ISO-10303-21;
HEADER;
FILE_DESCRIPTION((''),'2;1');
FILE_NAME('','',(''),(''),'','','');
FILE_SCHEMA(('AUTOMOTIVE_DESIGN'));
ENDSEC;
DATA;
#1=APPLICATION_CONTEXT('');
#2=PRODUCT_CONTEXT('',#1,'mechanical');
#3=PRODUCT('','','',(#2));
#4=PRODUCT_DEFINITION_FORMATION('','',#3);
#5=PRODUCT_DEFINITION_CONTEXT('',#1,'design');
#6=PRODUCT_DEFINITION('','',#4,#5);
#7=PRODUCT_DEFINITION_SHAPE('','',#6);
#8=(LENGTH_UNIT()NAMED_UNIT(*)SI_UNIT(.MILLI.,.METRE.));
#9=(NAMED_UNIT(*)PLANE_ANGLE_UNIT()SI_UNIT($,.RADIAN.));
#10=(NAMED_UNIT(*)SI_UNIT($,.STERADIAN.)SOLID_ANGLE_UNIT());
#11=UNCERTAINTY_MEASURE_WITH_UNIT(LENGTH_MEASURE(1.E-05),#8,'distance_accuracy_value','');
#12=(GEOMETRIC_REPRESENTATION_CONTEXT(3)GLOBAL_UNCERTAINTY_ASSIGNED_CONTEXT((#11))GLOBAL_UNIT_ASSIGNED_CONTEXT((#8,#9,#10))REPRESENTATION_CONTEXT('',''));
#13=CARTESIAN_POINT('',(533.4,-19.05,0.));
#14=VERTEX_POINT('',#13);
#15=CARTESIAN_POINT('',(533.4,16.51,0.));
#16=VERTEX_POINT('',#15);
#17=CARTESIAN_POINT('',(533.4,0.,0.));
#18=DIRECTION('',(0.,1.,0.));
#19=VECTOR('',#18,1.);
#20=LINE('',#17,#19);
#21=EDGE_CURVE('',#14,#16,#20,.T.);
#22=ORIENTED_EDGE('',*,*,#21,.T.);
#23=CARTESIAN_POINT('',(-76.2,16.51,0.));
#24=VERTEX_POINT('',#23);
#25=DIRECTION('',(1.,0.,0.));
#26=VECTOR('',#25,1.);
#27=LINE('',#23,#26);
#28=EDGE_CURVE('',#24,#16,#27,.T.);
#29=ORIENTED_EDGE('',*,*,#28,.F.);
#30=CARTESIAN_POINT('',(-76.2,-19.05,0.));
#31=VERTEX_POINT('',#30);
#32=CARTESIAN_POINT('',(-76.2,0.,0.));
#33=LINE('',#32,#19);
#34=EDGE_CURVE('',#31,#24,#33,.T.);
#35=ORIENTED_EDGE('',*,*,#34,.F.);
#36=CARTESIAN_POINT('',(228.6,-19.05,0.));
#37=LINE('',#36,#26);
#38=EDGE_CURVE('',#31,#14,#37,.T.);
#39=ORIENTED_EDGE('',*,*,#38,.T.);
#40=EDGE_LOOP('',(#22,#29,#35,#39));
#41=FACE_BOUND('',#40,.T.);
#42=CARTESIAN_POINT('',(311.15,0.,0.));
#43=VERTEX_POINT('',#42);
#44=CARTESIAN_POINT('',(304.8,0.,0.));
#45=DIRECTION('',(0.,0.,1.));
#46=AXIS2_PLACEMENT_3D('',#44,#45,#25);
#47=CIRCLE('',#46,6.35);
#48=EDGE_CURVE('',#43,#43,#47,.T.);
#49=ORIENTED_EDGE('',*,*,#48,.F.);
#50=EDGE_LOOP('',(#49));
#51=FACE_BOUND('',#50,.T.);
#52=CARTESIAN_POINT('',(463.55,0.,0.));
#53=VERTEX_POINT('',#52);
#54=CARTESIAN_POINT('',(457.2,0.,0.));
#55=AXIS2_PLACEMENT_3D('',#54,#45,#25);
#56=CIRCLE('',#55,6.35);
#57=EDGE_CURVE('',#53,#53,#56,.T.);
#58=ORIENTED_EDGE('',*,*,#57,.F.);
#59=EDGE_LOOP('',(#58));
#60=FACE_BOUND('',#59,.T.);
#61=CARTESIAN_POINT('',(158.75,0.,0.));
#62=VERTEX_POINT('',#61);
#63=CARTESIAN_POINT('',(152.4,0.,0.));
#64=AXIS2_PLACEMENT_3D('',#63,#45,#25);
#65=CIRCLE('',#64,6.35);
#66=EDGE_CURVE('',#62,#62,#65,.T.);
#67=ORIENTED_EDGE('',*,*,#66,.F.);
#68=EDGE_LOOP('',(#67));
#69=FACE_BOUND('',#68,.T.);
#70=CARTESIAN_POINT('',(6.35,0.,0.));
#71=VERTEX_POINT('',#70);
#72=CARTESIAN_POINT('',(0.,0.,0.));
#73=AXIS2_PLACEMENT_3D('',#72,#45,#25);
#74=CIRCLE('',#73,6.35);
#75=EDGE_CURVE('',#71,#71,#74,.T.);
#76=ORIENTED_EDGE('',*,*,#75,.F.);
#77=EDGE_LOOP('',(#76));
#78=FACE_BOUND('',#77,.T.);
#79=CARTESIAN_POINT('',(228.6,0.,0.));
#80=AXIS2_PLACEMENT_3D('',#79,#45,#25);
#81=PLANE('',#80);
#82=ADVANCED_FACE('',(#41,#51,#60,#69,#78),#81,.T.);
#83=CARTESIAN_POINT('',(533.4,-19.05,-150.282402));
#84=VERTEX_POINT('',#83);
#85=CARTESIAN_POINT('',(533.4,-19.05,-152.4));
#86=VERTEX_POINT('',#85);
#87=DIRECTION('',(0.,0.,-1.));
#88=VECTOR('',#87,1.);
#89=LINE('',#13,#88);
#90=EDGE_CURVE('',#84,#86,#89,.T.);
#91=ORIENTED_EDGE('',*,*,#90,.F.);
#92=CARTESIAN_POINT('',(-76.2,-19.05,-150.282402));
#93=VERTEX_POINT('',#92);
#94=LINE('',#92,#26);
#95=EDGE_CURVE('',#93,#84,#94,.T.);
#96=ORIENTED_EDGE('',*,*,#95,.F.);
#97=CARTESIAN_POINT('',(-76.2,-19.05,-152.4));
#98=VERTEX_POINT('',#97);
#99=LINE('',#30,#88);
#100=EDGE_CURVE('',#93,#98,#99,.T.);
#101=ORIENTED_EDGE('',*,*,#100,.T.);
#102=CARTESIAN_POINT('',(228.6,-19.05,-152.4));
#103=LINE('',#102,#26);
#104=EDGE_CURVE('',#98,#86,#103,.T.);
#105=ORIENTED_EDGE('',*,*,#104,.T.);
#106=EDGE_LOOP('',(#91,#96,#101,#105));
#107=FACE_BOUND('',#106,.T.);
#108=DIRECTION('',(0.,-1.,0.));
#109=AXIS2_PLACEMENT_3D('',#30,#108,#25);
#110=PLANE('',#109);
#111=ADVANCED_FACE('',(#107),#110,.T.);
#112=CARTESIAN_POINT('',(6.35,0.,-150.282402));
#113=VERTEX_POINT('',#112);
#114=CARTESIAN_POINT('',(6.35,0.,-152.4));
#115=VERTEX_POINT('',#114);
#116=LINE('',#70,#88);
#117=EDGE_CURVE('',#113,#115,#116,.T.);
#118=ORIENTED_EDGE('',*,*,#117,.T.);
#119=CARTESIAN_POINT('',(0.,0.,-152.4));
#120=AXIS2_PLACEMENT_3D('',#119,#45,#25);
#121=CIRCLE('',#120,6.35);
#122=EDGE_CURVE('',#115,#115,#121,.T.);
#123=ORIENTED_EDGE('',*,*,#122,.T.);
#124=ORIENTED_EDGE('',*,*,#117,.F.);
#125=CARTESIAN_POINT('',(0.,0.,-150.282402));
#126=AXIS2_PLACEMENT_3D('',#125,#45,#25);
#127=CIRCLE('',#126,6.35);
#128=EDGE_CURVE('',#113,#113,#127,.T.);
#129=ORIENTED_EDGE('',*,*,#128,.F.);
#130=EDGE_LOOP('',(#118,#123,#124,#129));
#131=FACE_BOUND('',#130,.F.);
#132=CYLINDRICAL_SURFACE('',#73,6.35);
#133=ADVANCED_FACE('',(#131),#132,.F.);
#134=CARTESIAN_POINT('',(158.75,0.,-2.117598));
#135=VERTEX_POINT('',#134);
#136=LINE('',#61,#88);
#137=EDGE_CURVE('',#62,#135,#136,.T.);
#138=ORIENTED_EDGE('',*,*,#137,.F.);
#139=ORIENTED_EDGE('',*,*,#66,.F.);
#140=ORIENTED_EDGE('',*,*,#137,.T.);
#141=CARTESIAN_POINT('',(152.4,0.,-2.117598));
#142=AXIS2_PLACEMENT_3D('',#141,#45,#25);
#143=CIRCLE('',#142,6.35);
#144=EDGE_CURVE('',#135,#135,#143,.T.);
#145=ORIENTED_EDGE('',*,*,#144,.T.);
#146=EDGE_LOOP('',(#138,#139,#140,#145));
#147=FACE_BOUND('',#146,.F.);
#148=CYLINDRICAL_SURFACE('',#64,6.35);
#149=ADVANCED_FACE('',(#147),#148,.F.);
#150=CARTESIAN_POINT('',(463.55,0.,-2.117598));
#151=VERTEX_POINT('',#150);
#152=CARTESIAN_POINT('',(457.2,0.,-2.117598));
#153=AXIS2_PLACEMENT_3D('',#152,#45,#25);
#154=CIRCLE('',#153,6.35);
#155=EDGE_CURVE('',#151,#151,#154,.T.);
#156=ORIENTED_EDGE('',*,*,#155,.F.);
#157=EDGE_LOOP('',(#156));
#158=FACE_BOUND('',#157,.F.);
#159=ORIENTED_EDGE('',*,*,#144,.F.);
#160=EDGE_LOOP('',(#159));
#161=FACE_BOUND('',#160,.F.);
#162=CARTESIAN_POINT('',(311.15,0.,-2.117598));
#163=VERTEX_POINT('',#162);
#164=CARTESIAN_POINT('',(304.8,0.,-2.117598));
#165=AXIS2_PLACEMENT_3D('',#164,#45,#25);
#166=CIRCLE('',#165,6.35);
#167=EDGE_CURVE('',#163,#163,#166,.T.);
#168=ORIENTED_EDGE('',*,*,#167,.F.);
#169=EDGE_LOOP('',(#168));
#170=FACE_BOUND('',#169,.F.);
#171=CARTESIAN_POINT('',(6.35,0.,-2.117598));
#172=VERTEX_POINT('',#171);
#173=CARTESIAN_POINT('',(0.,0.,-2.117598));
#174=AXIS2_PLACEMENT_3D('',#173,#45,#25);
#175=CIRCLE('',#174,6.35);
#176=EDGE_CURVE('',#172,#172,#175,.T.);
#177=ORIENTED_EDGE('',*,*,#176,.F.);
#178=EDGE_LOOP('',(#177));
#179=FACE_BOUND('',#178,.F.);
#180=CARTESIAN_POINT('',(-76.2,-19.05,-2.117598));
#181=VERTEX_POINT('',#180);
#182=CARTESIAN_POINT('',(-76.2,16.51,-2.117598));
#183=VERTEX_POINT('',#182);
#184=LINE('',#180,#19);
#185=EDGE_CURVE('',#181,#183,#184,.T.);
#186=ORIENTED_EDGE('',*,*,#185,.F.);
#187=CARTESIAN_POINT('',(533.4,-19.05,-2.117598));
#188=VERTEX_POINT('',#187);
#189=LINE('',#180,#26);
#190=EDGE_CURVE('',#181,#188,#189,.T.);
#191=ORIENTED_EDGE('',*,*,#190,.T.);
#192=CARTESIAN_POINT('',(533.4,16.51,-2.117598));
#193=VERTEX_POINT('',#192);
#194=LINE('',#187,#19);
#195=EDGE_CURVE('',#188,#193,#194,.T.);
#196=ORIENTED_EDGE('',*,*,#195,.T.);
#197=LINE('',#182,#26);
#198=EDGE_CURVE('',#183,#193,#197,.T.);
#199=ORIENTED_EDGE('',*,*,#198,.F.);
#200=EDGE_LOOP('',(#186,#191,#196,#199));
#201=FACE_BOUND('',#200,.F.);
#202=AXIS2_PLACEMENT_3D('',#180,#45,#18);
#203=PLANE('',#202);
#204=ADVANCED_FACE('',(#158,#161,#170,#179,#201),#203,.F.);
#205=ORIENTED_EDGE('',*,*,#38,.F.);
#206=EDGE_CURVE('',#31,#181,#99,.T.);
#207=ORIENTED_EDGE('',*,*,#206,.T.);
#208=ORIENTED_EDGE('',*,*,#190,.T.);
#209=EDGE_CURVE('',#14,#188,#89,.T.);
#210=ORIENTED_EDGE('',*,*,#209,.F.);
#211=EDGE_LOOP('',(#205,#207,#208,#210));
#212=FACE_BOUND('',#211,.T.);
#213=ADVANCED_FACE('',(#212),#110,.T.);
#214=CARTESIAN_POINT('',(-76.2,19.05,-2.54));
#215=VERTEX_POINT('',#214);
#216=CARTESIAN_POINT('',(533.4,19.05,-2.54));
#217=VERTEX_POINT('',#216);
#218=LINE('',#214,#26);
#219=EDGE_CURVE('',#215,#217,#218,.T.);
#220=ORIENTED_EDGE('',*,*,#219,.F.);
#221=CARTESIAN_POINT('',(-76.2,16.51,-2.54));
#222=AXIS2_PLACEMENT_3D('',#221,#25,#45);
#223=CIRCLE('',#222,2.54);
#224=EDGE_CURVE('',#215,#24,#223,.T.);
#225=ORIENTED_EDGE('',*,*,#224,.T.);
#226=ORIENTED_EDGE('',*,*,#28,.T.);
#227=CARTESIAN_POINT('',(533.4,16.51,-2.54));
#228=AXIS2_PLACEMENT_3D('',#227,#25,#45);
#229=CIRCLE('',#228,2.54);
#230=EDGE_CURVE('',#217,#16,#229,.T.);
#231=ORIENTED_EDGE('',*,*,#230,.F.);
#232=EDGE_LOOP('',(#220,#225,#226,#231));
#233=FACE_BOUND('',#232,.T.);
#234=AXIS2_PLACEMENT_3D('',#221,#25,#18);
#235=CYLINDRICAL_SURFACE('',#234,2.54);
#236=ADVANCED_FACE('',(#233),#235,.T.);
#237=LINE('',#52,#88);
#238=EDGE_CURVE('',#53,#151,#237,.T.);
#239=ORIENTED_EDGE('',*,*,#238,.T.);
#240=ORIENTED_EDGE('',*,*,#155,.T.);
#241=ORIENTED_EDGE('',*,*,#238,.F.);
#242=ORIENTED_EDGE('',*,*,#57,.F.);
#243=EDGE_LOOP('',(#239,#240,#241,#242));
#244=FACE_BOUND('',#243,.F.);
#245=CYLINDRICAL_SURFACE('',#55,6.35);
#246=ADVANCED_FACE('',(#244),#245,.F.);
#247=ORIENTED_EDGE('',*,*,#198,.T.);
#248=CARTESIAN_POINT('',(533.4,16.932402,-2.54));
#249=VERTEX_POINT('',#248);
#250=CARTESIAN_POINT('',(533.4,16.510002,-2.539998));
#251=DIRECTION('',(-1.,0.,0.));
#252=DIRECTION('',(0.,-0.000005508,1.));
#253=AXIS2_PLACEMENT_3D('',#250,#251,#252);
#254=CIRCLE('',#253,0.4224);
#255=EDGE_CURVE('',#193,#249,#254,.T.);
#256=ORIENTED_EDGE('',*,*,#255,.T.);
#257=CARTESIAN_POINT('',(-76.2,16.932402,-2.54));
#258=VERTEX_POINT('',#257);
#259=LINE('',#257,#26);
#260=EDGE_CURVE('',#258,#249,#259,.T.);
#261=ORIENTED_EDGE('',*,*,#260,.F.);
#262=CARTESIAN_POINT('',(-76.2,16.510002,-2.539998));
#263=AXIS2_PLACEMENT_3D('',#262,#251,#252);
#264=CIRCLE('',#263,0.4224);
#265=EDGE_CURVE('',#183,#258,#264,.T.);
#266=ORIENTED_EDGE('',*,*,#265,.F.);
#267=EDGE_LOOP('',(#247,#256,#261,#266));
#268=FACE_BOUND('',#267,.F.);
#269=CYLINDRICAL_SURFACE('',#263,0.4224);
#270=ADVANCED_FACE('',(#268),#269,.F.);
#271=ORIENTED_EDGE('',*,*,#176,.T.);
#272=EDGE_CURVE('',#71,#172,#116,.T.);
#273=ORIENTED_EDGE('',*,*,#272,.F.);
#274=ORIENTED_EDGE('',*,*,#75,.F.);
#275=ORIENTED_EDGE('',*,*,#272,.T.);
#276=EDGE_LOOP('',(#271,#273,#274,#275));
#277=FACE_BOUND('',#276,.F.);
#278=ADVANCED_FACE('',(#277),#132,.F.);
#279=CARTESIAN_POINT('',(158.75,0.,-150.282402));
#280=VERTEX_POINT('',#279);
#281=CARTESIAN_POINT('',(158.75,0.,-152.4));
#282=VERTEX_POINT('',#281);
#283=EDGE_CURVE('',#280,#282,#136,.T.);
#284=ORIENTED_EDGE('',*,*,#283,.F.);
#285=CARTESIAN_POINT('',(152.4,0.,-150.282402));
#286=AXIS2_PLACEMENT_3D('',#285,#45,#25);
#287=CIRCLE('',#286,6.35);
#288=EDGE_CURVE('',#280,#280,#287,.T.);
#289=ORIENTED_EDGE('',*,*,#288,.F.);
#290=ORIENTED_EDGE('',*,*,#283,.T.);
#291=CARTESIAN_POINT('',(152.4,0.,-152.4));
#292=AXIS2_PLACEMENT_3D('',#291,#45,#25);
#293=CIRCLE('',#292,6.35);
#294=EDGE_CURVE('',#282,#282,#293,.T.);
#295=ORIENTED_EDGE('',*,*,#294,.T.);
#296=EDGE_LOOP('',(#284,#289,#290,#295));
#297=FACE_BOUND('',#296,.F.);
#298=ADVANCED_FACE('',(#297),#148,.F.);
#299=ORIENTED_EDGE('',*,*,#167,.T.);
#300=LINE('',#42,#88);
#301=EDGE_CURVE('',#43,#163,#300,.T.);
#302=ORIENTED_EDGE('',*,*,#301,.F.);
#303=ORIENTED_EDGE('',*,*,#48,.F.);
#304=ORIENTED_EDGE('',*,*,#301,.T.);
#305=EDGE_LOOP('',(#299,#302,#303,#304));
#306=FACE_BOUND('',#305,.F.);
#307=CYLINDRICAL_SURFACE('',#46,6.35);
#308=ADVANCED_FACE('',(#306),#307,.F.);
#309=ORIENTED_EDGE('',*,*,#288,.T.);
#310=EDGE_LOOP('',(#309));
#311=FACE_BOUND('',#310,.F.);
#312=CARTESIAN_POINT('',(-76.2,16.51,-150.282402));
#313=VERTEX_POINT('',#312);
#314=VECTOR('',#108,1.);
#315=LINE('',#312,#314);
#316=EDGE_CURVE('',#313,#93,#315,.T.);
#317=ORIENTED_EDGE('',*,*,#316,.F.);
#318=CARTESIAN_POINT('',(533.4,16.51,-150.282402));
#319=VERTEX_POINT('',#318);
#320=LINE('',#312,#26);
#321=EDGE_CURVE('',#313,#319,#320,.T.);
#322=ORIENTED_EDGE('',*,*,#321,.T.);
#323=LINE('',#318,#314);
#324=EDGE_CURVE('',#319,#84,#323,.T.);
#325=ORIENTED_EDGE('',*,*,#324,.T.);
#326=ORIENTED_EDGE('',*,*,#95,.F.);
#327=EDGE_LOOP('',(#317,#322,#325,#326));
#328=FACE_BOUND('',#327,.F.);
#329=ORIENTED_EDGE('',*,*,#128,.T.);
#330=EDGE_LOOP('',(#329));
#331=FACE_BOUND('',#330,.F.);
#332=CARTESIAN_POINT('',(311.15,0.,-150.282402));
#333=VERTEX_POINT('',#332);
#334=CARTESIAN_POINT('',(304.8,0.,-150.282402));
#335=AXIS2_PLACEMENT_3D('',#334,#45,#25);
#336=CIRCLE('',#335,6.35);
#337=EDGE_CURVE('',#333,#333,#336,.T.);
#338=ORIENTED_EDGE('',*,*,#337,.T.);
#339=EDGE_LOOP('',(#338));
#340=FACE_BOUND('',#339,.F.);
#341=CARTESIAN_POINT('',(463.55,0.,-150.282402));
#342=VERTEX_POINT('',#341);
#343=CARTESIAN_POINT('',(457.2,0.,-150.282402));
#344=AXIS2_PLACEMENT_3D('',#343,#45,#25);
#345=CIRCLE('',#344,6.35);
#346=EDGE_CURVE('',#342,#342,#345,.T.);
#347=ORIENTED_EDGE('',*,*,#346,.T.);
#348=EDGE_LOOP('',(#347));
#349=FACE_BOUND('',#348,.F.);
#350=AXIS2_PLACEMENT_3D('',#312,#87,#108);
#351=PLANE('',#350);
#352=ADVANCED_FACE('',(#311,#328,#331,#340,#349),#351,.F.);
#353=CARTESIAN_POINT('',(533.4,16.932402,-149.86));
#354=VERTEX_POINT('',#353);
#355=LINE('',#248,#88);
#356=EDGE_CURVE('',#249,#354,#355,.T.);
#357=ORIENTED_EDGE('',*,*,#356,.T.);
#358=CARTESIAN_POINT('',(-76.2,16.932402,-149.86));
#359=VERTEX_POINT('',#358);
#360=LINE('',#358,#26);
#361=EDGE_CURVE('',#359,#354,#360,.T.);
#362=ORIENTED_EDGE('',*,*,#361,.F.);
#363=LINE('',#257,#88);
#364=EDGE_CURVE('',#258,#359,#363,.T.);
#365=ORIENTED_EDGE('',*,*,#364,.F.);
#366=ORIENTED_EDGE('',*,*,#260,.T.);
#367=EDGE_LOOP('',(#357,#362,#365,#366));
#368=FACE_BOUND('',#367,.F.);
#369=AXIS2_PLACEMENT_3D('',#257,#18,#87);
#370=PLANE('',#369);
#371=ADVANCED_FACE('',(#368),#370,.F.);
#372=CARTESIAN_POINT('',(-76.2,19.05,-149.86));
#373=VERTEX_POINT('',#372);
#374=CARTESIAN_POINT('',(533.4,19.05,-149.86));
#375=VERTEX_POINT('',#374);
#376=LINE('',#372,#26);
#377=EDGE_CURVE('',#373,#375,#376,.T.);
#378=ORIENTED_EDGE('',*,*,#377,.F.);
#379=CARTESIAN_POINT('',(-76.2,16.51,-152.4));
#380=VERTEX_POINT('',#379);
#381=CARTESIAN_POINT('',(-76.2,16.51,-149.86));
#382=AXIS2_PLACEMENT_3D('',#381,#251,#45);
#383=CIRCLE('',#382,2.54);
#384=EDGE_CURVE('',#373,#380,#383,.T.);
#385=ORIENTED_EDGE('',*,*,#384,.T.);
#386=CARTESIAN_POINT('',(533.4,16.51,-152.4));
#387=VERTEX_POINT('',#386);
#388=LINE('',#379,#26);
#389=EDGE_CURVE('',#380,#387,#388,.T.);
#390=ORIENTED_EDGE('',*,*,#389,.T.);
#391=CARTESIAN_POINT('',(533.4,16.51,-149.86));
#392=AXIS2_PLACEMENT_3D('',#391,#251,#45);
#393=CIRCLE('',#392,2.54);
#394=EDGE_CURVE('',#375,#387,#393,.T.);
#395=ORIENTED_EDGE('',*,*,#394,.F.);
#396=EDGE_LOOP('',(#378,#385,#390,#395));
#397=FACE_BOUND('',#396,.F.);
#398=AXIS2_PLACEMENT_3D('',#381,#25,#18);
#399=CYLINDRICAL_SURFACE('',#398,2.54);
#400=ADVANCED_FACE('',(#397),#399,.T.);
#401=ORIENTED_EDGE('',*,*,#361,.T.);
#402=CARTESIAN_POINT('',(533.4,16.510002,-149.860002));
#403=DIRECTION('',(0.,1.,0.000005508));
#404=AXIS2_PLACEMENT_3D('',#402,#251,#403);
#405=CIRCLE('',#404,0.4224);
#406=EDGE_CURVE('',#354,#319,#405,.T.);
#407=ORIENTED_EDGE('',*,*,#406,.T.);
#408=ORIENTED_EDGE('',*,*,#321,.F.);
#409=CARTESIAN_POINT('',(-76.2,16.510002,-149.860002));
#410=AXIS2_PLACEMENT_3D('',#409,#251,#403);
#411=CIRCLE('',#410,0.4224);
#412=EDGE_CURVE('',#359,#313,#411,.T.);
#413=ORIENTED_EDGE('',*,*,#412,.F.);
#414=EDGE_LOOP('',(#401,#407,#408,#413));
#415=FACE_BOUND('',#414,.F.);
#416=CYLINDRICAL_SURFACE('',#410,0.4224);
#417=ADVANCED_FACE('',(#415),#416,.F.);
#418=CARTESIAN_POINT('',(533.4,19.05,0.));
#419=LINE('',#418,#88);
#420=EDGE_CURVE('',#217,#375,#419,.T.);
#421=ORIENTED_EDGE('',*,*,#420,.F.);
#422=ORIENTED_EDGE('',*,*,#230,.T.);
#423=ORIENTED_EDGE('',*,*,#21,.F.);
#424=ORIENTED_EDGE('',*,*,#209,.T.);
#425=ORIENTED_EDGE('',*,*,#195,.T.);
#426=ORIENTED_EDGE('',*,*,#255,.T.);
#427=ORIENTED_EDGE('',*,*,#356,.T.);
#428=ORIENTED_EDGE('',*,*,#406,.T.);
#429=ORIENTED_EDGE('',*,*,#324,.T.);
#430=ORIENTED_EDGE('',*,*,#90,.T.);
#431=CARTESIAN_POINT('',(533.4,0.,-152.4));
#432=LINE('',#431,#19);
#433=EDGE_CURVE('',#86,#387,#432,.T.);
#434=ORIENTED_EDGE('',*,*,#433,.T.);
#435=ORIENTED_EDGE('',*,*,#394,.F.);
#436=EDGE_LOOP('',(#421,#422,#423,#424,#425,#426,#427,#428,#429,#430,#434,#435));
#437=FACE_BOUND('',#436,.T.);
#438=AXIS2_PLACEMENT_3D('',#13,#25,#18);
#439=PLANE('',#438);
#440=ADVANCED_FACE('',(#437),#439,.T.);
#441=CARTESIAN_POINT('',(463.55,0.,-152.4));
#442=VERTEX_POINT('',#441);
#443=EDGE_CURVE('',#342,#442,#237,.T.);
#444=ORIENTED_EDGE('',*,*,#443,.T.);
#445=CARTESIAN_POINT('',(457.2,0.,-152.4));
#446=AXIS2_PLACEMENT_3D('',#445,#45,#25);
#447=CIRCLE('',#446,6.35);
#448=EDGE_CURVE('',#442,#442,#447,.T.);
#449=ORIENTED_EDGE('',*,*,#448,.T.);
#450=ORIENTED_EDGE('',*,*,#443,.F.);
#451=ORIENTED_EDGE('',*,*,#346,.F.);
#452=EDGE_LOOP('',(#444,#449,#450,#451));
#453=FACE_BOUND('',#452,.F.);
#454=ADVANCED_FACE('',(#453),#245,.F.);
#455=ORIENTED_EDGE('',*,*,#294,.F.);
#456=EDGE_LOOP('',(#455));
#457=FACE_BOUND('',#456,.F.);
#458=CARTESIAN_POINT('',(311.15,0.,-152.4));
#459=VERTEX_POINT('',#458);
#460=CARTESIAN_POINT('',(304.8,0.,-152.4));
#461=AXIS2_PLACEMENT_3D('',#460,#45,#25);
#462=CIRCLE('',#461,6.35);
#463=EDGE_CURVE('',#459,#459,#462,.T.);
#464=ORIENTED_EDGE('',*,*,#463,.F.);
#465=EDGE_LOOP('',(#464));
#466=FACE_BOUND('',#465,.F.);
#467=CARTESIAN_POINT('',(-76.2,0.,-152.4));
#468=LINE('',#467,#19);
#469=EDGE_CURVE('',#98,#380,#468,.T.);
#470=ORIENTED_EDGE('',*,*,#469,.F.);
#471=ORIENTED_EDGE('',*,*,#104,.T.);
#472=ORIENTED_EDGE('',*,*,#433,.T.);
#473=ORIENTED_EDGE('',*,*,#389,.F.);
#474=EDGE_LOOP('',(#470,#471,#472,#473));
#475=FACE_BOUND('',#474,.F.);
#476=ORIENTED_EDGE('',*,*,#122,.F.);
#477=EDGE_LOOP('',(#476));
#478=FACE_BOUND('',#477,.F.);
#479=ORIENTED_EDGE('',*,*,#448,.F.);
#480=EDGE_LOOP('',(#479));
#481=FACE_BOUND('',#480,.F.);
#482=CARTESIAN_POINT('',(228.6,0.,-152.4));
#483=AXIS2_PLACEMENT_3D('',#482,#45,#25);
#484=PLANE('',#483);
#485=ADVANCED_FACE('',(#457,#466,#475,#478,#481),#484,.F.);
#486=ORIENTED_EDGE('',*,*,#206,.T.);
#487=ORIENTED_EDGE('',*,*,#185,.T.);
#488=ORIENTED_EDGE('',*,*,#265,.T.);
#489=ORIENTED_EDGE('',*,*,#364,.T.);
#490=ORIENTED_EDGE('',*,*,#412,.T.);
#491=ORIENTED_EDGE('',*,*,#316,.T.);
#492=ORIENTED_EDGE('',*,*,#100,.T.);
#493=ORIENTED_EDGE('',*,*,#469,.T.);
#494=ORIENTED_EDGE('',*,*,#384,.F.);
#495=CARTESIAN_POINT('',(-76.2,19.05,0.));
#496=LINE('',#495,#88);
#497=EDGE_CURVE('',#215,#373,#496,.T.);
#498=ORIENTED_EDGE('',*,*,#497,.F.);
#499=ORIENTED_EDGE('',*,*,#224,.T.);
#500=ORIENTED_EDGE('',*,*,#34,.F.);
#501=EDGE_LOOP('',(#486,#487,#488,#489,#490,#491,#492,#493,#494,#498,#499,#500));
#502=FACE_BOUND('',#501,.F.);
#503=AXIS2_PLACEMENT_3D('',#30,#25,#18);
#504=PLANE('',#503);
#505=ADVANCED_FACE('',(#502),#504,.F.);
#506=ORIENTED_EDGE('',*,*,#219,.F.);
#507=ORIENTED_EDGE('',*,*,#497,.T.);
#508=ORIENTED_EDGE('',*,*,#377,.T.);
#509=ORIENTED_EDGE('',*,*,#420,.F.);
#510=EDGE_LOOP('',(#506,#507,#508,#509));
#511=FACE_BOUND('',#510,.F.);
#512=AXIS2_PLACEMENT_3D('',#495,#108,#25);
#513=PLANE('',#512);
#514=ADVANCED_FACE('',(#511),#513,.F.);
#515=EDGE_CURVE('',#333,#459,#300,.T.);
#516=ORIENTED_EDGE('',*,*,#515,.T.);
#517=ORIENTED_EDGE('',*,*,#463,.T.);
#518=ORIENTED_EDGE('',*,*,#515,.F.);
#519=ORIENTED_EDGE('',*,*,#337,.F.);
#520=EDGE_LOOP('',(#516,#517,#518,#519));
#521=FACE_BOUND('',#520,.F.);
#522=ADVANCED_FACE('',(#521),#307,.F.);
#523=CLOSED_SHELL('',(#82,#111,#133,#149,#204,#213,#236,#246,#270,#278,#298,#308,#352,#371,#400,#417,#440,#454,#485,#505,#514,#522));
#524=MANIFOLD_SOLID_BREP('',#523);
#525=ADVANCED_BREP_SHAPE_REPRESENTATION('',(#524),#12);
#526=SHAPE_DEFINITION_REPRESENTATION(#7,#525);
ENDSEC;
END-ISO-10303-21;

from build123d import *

# Parameters (mm, degrees)
F0_W     = 609.6
F0_H     = 38.1
F0_R     = 6.35
F1_DEPTH = 152.4
F2_R     = 2.54
F4_DEPTH = 609.6


with BuildPart() as f1:
    # F0 (on Top) → F1 (new body)
    with BuildSketch(Plane.XY):
        with Locations((228.6, 0)):
            Rectangle(F0_W, F0_H)
        Circle(F0_R, mode=Mode.SUBTRACT)
        with Locations((152.4, 0)):
            Circle(F0_R, mode=Mode.SUBTRACT)
        with Locations((304.8, 0)):
            Circle(F0_R, mode=Mode.SUBTRACT)
        with Locations((457.2, 0)):
            Circle(F0_R, mode=Mode.SUBTRACT)
    extrude(amount=-F1_DEPTH)

    # F2
    f2_edges = [f1.edges().sort_by_distance(p)[0] for p in [
        (228.6, 19.05, 0),
        (228.6, 19.05, -152.4),
    ]]
    fillet(f2_edges, radius=F2_R)

    # F3 (on face) → F4 (cut, through all)
    with BuildSketch(Plane(origin=(-76.2, 0, 0), x_dir=(0, -1, 0), z_dir=(-1, 0, 0))):
        with BuildLine():
            Line((-16.51, -150.282402), (19.05, -150.282402))
            Line((19.05, -150.282402), (19.05, -2.117598))
            Line((19.05, -2.117598), (-16.51, -2.117598))
            ThreePointArc((-16.51, -2.117598), (-16.808684, -2.241316), (-16.932402, -2.54))
            Line((-16.932402, -2.54), (-16.932402, -149.86))
            ThreePointArc((-16.932402, -149.86), (-16.808684, -150.158684), (-16.51, -150.282402))
        make_face()
    extrude(amount=-F4_DEPTH, mode=Mode.SUBTRACT)


solid = f1.part
